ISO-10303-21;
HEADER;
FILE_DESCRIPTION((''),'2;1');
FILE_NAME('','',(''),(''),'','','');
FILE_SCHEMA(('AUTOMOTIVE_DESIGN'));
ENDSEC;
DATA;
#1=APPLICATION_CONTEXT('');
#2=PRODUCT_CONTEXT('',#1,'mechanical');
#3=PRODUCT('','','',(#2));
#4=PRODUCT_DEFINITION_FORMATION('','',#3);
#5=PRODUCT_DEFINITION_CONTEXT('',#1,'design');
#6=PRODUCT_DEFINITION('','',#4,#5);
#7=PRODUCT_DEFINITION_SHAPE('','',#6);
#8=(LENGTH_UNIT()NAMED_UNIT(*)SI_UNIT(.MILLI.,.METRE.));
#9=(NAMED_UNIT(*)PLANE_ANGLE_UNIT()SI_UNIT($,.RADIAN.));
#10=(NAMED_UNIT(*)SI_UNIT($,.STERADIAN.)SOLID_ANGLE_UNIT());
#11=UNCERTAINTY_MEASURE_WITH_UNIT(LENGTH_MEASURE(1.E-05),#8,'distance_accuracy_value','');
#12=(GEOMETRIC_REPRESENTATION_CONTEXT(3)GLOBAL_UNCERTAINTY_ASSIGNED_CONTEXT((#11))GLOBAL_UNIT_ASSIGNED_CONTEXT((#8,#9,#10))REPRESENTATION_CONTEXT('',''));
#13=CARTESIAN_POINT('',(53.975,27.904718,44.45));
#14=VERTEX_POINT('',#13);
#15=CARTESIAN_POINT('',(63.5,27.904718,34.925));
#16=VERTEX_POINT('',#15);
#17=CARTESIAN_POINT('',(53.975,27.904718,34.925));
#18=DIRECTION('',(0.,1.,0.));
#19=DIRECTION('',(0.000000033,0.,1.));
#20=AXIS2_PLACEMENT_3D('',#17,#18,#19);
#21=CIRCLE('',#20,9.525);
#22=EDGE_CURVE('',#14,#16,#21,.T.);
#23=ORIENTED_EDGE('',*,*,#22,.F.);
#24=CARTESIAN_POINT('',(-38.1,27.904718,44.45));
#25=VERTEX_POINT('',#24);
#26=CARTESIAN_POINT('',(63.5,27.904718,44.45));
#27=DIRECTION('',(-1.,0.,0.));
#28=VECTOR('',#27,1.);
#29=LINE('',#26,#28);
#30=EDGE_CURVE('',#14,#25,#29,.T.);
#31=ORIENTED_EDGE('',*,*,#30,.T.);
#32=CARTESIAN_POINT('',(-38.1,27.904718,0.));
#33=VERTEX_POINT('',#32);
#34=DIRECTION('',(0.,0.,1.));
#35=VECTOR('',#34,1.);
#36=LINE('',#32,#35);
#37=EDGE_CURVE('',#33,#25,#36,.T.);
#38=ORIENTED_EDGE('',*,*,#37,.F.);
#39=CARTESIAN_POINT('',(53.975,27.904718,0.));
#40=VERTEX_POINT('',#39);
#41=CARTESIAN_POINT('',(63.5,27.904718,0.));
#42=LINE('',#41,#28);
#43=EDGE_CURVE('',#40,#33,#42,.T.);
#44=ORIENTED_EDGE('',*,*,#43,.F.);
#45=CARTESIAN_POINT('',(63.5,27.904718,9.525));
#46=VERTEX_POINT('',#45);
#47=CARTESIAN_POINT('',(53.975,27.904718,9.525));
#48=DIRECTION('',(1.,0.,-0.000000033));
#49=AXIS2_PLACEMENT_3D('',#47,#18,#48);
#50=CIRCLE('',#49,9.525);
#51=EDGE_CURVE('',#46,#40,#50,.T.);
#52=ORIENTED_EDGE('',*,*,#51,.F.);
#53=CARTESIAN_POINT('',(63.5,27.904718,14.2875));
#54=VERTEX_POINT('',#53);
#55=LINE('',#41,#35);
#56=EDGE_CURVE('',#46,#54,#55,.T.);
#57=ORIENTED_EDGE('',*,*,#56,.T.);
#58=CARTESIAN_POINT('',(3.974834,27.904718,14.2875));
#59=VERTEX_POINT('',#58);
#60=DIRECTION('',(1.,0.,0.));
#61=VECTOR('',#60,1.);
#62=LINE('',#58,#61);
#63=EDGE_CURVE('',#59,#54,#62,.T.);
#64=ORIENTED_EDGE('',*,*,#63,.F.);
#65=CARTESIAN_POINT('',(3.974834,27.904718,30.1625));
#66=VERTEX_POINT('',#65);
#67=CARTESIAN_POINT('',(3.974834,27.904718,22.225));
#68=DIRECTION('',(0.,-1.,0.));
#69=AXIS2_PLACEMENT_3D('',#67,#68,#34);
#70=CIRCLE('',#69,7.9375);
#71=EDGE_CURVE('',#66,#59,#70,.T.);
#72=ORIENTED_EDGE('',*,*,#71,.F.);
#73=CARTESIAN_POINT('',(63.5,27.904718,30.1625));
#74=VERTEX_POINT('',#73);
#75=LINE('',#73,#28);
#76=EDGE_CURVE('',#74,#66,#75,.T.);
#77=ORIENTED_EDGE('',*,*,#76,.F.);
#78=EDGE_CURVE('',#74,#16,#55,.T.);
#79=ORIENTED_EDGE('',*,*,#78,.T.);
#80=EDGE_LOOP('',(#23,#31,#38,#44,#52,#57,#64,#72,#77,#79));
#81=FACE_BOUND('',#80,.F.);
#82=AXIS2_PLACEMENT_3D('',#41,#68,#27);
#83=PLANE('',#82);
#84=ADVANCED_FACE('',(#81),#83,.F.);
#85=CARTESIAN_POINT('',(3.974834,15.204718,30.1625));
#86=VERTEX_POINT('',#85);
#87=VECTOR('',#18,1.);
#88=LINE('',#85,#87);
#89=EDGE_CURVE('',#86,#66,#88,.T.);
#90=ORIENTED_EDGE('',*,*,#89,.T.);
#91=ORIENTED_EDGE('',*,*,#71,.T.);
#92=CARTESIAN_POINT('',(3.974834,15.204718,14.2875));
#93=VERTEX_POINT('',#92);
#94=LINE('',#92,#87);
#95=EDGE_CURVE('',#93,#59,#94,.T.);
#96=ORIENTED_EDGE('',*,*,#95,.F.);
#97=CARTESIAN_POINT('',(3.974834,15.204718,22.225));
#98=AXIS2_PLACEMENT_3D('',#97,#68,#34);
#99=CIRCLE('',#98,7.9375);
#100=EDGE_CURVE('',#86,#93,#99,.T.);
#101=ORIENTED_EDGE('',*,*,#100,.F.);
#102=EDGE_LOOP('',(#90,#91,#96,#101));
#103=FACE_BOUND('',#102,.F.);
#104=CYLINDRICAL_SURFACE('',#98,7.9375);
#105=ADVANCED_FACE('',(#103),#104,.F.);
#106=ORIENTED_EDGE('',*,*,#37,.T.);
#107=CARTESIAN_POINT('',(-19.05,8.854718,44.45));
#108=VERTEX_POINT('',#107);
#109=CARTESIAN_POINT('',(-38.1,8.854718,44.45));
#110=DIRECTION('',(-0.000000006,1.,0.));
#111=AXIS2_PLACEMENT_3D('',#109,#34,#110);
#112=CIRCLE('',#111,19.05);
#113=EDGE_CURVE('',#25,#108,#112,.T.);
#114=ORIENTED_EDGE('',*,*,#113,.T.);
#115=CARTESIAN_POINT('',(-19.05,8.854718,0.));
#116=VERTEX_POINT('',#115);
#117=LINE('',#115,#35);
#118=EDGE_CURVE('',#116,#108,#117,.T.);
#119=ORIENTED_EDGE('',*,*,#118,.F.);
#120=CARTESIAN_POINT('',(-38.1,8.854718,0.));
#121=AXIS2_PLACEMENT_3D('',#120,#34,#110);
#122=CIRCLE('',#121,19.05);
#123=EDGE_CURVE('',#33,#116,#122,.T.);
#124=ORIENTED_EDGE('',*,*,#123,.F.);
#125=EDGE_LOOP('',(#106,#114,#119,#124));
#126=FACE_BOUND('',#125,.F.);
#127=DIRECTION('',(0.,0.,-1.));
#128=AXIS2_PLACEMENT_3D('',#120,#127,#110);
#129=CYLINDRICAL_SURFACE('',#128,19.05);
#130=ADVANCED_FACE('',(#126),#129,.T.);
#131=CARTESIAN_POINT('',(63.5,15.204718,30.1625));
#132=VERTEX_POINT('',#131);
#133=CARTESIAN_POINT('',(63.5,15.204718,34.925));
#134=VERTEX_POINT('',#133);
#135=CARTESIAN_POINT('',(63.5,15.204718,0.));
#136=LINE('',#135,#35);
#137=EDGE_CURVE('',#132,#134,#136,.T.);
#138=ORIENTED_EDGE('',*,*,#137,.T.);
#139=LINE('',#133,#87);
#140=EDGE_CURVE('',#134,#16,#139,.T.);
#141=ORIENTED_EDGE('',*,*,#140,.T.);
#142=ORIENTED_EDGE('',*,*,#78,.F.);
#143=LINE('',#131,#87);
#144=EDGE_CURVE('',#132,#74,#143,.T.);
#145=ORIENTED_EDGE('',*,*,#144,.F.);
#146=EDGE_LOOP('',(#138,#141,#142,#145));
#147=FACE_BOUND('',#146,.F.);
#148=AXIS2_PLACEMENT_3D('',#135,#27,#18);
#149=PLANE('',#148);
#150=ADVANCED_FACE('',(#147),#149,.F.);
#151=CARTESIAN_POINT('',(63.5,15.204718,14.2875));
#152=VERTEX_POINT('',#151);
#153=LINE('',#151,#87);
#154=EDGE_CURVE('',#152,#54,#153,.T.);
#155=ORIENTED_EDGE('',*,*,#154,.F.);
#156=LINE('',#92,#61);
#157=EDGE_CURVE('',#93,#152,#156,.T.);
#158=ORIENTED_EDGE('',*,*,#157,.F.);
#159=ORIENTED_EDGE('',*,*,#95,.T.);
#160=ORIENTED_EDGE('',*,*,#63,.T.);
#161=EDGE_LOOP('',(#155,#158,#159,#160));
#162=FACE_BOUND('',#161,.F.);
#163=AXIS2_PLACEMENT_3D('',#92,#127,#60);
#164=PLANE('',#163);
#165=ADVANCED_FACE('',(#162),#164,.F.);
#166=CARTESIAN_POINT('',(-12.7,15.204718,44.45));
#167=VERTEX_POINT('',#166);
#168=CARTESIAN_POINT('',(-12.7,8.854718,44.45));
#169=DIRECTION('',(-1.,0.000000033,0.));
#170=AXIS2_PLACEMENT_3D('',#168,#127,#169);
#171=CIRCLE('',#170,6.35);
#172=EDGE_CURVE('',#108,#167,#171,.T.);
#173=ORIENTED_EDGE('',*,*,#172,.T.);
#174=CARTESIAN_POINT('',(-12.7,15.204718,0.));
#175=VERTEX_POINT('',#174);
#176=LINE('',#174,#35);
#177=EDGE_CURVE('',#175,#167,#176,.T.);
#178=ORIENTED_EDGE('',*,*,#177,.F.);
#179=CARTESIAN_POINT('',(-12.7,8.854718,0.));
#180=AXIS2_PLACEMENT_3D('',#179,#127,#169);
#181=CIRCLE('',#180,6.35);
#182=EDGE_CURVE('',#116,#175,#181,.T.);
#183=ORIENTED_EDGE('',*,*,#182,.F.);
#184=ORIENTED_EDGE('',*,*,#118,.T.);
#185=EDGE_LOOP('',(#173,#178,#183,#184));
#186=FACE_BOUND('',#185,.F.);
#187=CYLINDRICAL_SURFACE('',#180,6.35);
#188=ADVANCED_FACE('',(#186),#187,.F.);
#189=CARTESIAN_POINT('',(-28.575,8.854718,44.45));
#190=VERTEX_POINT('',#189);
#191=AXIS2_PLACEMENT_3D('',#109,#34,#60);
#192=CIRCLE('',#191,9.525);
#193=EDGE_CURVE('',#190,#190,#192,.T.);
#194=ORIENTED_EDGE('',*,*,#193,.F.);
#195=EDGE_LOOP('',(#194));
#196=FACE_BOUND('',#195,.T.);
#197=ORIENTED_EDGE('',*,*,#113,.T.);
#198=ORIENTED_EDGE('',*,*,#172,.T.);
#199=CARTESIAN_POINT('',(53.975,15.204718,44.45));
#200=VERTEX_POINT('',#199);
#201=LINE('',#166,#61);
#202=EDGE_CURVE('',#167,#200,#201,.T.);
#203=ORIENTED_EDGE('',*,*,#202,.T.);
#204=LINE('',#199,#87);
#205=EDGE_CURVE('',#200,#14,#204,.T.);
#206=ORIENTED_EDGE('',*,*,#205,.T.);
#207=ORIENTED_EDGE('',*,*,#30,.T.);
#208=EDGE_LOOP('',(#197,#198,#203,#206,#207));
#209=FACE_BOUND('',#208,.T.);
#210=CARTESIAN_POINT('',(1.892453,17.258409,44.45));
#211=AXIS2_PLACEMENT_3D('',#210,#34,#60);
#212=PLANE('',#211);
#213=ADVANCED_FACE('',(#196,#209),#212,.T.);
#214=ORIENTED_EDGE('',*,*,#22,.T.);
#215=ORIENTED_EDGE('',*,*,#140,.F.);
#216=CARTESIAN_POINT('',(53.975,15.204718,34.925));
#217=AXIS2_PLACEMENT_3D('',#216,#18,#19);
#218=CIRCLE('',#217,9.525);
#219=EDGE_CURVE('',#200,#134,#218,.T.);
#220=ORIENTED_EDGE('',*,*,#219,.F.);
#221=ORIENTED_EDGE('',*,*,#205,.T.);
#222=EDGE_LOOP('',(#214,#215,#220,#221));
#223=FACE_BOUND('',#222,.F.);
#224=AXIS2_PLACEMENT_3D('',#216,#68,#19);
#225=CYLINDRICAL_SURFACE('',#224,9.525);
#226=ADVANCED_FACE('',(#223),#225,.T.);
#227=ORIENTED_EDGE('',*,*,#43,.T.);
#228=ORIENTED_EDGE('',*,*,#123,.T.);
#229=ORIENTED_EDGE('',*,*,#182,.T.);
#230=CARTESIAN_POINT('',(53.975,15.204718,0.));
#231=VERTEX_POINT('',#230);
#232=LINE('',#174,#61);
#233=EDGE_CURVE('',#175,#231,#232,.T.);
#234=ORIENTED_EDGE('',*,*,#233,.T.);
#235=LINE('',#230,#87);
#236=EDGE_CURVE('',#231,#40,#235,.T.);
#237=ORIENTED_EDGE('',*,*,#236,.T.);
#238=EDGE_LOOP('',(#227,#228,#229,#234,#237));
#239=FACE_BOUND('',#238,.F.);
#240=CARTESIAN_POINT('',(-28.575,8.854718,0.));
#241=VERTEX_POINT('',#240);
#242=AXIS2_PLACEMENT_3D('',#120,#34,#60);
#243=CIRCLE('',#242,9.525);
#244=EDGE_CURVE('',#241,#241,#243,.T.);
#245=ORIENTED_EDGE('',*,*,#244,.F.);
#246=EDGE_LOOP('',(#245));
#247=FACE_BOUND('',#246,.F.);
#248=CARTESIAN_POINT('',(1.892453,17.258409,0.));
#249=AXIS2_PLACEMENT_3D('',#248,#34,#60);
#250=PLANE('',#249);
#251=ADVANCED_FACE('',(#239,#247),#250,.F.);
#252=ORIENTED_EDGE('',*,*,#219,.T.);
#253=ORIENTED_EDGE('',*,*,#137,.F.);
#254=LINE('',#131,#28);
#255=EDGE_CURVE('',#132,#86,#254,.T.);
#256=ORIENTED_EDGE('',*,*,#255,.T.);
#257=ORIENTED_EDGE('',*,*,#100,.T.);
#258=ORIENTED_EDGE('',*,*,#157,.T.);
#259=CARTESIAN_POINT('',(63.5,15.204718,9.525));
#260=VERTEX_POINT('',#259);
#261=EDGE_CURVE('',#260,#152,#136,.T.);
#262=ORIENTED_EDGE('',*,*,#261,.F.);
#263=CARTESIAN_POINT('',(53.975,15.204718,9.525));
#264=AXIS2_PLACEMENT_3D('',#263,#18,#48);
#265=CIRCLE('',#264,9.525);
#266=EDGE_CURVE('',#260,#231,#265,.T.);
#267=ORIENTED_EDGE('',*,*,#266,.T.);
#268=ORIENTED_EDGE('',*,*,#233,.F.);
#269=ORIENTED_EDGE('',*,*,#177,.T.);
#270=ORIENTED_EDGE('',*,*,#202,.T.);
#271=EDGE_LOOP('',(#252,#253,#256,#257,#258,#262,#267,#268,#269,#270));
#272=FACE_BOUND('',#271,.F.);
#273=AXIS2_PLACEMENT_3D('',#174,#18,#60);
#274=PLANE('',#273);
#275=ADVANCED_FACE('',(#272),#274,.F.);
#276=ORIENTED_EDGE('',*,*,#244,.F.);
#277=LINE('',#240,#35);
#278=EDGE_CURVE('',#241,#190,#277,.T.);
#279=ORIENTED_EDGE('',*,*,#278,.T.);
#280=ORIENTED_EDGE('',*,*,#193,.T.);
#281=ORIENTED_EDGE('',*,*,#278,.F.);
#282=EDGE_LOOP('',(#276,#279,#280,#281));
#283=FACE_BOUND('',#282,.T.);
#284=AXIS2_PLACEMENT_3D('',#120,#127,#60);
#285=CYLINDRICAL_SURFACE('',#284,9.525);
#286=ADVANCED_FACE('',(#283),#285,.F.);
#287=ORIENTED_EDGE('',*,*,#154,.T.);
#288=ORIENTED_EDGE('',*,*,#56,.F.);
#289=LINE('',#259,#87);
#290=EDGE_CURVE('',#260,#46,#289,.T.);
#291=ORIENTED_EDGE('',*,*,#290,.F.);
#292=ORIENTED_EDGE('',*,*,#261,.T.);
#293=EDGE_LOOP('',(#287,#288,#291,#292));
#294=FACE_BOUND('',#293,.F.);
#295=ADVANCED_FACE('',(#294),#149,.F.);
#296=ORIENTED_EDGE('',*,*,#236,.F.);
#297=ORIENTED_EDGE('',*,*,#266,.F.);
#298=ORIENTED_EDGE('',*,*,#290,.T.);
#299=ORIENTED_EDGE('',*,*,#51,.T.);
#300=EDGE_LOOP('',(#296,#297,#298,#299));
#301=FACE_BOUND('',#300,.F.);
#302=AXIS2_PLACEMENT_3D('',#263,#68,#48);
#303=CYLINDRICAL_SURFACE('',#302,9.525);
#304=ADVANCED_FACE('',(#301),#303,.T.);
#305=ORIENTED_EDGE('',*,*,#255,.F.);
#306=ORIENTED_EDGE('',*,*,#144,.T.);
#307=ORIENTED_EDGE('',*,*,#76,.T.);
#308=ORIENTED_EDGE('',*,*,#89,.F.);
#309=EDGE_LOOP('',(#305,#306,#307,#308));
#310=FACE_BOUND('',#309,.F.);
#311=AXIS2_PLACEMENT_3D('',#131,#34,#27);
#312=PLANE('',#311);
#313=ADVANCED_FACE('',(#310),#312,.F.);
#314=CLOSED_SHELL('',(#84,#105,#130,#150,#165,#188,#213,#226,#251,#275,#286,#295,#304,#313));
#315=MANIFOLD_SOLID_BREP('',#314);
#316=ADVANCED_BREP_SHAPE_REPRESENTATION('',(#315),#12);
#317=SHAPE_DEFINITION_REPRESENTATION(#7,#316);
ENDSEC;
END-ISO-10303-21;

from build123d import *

# Parameters (mm, degrees)
F0_R     = 9.525
F1_DEPTH = 44.45
F3_DEPTH = 12.7


with BuildPart() as f1:
    # F0 (on Top) → F1 (new body)
    with BuildSketch(Plane.XY):
        with BuildLine():
            Line((63.5, 27.904718), (-38.1, 27.904718))
            ThreePointArc((-38.1, 27.904718), (-51.570384, -4.615666), (-19.05, 8.854718))
            ThreePointArc((-19.05, 8.854718), (-17.190128, 13.344846), (-12.7, 15.204718))
            Line((-12.7, 15.204718), (0, 15.204718))
            Line((0, 15.204718), (63.5, 15.204718))
            Line((63.5, 15.204718), (63.5, 27.904718))
        make_face()
        with Locations((-38.1, 8.854718)):
            Circle(F0_R, mode=Mode.SUBTRACT)
    extrude(amount=F1_DEPTH)

    # F2 (on face) → F3 (cut)
    with BuildSketch(Plane.XZ.offset(-15.204718)):
        with BuildLine():
            Line((63.5, 30.1625), (3.974834, 30.1625))
            ThreePointArc((3.974834, 30.1625), (-3.962666, 22.225), (3.974834, 14.2875))
            Line((3.974834, 14.2875), (63.5, 14.2875))
            Line((63.5, 14.2875), (63.5, 30.1625))
        make_face()
        with BuildLine():
            ThreePointArc((53.975, 44.45), (60.710192, 41.660192), (63.5, 34.925))
            Line((63.5, 34.925), (63.5, 44.45))
            Line((63.5, 44.45), (53.975, 44.45))
        make_face()
        with BuildLine():
            Line((63.5, 0), (63.5, 9.525))
            ThreePointArc((63.5, 9.525), (60.710192, 2.789808), (53.975, 0))
            Line((53.975, 0), (63.5, 0))
        make_face()
    extrude(amount=-F3_DEPTH, mode=Mode.SUBTRACT)


solid = f1.part
